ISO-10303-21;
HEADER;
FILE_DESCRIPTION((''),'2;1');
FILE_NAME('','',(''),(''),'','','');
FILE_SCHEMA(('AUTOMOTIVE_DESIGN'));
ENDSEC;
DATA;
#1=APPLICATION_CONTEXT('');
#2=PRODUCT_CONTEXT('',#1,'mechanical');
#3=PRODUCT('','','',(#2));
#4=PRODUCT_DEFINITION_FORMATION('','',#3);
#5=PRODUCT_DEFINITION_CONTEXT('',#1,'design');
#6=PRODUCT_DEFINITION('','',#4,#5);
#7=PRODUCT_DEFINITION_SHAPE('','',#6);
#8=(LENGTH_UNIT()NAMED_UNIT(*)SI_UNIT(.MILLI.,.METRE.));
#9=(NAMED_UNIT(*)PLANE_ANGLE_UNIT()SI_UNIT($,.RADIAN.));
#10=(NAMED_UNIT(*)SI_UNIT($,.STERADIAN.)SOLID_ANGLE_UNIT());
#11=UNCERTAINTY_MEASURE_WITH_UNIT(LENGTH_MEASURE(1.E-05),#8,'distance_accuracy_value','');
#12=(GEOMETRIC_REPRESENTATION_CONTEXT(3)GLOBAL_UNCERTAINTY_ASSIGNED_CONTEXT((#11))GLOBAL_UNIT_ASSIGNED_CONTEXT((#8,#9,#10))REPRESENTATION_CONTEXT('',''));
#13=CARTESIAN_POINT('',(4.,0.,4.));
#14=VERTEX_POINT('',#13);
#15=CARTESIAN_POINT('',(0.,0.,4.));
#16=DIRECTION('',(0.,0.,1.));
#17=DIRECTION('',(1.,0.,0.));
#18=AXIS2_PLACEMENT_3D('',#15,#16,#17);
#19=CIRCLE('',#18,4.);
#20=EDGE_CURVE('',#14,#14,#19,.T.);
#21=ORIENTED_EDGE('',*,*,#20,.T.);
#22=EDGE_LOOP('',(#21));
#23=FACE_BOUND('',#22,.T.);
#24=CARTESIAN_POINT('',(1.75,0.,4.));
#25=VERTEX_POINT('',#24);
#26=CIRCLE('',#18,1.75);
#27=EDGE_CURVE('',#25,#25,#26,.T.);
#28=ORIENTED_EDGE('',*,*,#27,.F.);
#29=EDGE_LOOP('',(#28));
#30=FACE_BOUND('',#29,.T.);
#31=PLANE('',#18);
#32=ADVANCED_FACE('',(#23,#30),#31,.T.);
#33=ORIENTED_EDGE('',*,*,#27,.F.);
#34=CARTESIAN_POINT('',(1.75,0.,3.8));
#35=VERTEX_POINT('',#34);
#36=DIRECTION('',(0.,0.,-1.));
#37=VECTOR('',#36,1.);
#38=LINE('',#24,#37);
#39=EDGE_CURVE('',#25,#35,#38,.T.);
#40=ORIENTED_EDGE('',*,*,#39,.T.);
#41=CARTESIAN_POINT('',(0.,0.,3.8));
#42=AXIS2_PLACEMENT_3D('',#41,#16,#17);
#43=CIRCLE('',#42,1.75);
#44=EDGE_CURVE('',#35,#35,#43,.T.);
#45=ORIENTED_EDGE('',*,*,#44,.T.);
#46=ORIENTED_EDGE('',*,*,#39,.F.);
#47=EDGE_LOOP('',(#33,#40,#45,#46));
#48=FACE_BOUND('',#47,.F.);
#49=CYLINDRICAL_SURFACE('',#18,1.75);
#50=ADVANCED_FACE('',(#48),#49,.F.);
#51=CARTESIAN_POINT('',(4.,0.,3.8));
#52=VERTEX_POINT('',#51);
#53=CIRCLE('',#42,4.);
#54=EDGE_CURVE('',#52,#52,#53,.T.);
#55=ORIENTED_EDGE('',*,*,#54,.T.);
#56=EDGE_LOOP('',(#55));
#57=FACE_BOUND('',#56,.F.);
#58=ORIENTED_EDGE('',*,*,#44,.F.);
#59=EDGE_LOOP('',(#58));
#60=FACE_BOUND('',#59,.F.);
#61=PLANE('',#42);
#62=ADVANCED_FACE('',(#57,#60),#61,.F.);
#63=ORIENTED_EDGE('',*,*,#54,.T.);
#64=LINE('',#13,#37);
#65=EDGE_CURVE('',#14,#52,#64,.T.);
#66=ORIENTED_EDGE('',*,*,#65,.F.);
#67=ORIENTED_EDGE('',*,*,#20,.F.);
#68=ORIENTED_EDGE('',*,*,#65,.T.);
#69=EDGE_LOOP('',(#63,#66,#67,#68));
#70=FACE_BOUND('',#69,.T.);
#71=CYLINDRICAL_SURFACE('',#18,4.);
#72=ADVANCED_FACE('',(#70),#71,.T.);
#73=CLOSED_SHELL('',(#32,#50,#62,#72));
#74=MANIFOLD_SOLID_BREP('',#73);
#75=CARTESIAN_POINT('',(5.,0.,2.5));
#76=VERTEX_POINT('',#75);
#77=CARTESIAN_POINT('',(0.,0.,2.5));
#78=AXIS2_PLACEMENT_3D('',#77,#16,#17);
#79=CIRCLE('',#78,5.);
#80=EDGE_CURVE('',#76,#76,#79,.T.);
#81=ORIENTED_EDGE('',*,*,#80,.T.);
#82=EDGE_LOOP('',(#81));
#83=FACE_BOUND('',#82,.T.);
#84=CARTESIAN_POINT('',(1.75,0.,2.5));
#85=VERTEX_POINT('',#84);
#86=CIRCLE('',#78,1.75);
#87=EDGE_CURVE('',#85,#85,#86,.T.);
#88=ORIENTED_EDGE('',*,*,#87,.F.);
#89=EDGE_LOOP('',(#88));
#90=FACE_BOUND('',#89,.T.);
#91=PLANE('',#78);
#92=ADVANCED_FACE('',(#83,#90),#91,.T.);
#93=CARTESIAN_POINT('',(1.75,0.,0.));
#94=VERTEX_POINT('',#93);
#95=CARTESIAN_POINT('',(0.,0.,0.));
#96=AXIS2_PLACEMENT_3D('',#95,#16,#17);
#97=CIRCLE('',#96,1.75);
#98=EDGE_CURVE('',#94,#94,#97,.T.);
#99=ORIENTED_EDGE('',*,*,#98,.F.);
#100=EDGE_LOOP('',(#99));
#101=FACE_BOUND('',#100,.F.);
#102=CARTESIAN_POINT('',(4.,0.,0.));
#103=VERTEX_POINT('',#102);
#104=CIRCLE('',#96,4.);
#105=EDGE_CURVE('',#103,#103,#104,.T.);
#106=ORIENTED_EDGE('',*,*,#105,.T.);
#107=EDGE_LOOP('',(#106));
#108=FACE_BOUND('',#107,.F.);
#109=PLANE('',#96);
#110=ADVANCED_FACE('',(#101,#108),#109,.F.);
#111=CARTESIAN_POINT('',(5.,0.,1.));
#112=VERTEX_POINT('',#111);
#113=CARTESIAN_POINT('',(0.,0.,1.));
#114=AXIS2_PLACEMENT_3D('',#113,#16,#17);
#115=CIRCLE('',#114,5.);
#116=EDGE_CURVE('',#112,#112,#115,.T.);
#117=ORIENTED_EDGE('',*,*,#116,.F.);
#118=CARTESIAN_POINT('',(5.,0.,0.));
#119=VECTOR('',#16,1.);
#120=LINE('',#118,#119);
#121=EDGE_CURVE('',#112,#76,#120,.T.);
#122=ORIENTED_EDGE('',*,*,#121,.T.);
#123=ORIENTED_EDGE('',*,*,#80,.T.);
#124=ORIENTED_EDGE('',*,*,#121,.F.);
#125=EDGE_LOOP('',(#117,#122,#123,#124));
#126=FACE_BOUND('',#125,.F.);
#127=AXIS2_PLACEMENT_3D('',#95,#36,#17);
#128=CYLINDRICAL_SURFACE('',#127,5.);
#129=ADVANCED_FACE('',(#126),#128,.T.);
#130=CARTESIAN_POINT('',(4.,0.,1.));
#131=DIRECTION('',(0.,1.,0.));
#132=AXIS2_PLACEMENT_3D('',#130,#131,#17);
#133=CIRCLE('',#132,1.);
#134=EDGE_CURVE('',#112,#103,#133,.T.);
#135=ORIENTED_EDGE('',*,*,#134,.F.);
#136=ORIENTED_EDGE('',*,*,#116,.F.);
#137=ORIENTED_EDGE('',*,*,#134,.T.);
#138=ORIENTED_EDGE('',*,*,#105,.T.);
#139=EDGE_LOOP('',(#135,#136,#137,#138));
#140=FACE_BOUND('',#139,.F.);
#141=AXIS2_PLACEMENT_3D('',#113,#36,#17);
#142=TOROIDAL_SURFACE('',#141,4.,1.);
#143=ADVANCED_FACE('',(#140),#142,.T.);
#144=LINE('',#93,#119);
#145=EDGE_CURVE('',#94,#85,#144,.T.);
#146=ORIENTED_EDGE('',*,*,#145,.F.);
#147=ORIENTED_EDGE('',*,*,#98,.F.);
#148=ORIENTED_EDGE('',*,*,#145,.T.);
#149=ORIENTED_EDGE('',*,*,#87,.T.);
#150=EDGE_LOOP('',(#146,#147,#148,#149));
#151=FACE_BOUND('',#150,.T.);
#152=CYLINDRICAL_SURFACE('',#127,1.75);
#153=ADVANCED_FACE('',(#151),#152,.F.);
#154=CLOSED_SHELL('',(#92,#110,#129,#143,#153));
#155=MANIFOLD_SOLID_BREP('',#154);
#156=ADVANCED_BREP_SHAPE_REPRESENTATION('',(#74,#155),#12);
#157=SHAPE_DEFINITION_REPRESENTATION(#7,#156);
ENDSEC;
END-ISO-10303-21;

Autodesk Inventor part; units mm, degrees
ref_plane "YZ Plane" through (0, 0, 0) normal (1, 0, 0) x (0, 1, 0)
ref_plane "XZ Plane" through (0, 0, 0) normal (0, 1, 0) x (-1, 0, 0)
sketch "Sketch1" plane through (0, 0, 0) normal (0, 0, 1) x (1, 0, 0)
  circle A0 centre (0, 0) radius 5
  circle A1 centre (0, 0) radius 1.75
  dimension "d0" = 10
  dimension "d1" = 3.5
extrude "Extrusion1" add sketch "Sketch1" along normal blind 2.5
ref_plane "Work Plane1" through (0, 0, 4) normal (0, 0, 1) x (1, 0, 0)
sketch "Sketch2" plane through (0, 0, 4) normal (0, 0, 1) x (1, 0, 0)
  circle A0 centre (0, 0) radius 4
  circle A1 centre (0, 0) radius 1.75 projected
  dimension "d5" = 8
extrude "Extrusion2" add sketch "Sketch2" against normal blind 0.2
fillet "Fillet1" radius 1 1 edges at (-5, 0, 0)
properties part number "Pin" material "Aluminum 6061, Welded"
